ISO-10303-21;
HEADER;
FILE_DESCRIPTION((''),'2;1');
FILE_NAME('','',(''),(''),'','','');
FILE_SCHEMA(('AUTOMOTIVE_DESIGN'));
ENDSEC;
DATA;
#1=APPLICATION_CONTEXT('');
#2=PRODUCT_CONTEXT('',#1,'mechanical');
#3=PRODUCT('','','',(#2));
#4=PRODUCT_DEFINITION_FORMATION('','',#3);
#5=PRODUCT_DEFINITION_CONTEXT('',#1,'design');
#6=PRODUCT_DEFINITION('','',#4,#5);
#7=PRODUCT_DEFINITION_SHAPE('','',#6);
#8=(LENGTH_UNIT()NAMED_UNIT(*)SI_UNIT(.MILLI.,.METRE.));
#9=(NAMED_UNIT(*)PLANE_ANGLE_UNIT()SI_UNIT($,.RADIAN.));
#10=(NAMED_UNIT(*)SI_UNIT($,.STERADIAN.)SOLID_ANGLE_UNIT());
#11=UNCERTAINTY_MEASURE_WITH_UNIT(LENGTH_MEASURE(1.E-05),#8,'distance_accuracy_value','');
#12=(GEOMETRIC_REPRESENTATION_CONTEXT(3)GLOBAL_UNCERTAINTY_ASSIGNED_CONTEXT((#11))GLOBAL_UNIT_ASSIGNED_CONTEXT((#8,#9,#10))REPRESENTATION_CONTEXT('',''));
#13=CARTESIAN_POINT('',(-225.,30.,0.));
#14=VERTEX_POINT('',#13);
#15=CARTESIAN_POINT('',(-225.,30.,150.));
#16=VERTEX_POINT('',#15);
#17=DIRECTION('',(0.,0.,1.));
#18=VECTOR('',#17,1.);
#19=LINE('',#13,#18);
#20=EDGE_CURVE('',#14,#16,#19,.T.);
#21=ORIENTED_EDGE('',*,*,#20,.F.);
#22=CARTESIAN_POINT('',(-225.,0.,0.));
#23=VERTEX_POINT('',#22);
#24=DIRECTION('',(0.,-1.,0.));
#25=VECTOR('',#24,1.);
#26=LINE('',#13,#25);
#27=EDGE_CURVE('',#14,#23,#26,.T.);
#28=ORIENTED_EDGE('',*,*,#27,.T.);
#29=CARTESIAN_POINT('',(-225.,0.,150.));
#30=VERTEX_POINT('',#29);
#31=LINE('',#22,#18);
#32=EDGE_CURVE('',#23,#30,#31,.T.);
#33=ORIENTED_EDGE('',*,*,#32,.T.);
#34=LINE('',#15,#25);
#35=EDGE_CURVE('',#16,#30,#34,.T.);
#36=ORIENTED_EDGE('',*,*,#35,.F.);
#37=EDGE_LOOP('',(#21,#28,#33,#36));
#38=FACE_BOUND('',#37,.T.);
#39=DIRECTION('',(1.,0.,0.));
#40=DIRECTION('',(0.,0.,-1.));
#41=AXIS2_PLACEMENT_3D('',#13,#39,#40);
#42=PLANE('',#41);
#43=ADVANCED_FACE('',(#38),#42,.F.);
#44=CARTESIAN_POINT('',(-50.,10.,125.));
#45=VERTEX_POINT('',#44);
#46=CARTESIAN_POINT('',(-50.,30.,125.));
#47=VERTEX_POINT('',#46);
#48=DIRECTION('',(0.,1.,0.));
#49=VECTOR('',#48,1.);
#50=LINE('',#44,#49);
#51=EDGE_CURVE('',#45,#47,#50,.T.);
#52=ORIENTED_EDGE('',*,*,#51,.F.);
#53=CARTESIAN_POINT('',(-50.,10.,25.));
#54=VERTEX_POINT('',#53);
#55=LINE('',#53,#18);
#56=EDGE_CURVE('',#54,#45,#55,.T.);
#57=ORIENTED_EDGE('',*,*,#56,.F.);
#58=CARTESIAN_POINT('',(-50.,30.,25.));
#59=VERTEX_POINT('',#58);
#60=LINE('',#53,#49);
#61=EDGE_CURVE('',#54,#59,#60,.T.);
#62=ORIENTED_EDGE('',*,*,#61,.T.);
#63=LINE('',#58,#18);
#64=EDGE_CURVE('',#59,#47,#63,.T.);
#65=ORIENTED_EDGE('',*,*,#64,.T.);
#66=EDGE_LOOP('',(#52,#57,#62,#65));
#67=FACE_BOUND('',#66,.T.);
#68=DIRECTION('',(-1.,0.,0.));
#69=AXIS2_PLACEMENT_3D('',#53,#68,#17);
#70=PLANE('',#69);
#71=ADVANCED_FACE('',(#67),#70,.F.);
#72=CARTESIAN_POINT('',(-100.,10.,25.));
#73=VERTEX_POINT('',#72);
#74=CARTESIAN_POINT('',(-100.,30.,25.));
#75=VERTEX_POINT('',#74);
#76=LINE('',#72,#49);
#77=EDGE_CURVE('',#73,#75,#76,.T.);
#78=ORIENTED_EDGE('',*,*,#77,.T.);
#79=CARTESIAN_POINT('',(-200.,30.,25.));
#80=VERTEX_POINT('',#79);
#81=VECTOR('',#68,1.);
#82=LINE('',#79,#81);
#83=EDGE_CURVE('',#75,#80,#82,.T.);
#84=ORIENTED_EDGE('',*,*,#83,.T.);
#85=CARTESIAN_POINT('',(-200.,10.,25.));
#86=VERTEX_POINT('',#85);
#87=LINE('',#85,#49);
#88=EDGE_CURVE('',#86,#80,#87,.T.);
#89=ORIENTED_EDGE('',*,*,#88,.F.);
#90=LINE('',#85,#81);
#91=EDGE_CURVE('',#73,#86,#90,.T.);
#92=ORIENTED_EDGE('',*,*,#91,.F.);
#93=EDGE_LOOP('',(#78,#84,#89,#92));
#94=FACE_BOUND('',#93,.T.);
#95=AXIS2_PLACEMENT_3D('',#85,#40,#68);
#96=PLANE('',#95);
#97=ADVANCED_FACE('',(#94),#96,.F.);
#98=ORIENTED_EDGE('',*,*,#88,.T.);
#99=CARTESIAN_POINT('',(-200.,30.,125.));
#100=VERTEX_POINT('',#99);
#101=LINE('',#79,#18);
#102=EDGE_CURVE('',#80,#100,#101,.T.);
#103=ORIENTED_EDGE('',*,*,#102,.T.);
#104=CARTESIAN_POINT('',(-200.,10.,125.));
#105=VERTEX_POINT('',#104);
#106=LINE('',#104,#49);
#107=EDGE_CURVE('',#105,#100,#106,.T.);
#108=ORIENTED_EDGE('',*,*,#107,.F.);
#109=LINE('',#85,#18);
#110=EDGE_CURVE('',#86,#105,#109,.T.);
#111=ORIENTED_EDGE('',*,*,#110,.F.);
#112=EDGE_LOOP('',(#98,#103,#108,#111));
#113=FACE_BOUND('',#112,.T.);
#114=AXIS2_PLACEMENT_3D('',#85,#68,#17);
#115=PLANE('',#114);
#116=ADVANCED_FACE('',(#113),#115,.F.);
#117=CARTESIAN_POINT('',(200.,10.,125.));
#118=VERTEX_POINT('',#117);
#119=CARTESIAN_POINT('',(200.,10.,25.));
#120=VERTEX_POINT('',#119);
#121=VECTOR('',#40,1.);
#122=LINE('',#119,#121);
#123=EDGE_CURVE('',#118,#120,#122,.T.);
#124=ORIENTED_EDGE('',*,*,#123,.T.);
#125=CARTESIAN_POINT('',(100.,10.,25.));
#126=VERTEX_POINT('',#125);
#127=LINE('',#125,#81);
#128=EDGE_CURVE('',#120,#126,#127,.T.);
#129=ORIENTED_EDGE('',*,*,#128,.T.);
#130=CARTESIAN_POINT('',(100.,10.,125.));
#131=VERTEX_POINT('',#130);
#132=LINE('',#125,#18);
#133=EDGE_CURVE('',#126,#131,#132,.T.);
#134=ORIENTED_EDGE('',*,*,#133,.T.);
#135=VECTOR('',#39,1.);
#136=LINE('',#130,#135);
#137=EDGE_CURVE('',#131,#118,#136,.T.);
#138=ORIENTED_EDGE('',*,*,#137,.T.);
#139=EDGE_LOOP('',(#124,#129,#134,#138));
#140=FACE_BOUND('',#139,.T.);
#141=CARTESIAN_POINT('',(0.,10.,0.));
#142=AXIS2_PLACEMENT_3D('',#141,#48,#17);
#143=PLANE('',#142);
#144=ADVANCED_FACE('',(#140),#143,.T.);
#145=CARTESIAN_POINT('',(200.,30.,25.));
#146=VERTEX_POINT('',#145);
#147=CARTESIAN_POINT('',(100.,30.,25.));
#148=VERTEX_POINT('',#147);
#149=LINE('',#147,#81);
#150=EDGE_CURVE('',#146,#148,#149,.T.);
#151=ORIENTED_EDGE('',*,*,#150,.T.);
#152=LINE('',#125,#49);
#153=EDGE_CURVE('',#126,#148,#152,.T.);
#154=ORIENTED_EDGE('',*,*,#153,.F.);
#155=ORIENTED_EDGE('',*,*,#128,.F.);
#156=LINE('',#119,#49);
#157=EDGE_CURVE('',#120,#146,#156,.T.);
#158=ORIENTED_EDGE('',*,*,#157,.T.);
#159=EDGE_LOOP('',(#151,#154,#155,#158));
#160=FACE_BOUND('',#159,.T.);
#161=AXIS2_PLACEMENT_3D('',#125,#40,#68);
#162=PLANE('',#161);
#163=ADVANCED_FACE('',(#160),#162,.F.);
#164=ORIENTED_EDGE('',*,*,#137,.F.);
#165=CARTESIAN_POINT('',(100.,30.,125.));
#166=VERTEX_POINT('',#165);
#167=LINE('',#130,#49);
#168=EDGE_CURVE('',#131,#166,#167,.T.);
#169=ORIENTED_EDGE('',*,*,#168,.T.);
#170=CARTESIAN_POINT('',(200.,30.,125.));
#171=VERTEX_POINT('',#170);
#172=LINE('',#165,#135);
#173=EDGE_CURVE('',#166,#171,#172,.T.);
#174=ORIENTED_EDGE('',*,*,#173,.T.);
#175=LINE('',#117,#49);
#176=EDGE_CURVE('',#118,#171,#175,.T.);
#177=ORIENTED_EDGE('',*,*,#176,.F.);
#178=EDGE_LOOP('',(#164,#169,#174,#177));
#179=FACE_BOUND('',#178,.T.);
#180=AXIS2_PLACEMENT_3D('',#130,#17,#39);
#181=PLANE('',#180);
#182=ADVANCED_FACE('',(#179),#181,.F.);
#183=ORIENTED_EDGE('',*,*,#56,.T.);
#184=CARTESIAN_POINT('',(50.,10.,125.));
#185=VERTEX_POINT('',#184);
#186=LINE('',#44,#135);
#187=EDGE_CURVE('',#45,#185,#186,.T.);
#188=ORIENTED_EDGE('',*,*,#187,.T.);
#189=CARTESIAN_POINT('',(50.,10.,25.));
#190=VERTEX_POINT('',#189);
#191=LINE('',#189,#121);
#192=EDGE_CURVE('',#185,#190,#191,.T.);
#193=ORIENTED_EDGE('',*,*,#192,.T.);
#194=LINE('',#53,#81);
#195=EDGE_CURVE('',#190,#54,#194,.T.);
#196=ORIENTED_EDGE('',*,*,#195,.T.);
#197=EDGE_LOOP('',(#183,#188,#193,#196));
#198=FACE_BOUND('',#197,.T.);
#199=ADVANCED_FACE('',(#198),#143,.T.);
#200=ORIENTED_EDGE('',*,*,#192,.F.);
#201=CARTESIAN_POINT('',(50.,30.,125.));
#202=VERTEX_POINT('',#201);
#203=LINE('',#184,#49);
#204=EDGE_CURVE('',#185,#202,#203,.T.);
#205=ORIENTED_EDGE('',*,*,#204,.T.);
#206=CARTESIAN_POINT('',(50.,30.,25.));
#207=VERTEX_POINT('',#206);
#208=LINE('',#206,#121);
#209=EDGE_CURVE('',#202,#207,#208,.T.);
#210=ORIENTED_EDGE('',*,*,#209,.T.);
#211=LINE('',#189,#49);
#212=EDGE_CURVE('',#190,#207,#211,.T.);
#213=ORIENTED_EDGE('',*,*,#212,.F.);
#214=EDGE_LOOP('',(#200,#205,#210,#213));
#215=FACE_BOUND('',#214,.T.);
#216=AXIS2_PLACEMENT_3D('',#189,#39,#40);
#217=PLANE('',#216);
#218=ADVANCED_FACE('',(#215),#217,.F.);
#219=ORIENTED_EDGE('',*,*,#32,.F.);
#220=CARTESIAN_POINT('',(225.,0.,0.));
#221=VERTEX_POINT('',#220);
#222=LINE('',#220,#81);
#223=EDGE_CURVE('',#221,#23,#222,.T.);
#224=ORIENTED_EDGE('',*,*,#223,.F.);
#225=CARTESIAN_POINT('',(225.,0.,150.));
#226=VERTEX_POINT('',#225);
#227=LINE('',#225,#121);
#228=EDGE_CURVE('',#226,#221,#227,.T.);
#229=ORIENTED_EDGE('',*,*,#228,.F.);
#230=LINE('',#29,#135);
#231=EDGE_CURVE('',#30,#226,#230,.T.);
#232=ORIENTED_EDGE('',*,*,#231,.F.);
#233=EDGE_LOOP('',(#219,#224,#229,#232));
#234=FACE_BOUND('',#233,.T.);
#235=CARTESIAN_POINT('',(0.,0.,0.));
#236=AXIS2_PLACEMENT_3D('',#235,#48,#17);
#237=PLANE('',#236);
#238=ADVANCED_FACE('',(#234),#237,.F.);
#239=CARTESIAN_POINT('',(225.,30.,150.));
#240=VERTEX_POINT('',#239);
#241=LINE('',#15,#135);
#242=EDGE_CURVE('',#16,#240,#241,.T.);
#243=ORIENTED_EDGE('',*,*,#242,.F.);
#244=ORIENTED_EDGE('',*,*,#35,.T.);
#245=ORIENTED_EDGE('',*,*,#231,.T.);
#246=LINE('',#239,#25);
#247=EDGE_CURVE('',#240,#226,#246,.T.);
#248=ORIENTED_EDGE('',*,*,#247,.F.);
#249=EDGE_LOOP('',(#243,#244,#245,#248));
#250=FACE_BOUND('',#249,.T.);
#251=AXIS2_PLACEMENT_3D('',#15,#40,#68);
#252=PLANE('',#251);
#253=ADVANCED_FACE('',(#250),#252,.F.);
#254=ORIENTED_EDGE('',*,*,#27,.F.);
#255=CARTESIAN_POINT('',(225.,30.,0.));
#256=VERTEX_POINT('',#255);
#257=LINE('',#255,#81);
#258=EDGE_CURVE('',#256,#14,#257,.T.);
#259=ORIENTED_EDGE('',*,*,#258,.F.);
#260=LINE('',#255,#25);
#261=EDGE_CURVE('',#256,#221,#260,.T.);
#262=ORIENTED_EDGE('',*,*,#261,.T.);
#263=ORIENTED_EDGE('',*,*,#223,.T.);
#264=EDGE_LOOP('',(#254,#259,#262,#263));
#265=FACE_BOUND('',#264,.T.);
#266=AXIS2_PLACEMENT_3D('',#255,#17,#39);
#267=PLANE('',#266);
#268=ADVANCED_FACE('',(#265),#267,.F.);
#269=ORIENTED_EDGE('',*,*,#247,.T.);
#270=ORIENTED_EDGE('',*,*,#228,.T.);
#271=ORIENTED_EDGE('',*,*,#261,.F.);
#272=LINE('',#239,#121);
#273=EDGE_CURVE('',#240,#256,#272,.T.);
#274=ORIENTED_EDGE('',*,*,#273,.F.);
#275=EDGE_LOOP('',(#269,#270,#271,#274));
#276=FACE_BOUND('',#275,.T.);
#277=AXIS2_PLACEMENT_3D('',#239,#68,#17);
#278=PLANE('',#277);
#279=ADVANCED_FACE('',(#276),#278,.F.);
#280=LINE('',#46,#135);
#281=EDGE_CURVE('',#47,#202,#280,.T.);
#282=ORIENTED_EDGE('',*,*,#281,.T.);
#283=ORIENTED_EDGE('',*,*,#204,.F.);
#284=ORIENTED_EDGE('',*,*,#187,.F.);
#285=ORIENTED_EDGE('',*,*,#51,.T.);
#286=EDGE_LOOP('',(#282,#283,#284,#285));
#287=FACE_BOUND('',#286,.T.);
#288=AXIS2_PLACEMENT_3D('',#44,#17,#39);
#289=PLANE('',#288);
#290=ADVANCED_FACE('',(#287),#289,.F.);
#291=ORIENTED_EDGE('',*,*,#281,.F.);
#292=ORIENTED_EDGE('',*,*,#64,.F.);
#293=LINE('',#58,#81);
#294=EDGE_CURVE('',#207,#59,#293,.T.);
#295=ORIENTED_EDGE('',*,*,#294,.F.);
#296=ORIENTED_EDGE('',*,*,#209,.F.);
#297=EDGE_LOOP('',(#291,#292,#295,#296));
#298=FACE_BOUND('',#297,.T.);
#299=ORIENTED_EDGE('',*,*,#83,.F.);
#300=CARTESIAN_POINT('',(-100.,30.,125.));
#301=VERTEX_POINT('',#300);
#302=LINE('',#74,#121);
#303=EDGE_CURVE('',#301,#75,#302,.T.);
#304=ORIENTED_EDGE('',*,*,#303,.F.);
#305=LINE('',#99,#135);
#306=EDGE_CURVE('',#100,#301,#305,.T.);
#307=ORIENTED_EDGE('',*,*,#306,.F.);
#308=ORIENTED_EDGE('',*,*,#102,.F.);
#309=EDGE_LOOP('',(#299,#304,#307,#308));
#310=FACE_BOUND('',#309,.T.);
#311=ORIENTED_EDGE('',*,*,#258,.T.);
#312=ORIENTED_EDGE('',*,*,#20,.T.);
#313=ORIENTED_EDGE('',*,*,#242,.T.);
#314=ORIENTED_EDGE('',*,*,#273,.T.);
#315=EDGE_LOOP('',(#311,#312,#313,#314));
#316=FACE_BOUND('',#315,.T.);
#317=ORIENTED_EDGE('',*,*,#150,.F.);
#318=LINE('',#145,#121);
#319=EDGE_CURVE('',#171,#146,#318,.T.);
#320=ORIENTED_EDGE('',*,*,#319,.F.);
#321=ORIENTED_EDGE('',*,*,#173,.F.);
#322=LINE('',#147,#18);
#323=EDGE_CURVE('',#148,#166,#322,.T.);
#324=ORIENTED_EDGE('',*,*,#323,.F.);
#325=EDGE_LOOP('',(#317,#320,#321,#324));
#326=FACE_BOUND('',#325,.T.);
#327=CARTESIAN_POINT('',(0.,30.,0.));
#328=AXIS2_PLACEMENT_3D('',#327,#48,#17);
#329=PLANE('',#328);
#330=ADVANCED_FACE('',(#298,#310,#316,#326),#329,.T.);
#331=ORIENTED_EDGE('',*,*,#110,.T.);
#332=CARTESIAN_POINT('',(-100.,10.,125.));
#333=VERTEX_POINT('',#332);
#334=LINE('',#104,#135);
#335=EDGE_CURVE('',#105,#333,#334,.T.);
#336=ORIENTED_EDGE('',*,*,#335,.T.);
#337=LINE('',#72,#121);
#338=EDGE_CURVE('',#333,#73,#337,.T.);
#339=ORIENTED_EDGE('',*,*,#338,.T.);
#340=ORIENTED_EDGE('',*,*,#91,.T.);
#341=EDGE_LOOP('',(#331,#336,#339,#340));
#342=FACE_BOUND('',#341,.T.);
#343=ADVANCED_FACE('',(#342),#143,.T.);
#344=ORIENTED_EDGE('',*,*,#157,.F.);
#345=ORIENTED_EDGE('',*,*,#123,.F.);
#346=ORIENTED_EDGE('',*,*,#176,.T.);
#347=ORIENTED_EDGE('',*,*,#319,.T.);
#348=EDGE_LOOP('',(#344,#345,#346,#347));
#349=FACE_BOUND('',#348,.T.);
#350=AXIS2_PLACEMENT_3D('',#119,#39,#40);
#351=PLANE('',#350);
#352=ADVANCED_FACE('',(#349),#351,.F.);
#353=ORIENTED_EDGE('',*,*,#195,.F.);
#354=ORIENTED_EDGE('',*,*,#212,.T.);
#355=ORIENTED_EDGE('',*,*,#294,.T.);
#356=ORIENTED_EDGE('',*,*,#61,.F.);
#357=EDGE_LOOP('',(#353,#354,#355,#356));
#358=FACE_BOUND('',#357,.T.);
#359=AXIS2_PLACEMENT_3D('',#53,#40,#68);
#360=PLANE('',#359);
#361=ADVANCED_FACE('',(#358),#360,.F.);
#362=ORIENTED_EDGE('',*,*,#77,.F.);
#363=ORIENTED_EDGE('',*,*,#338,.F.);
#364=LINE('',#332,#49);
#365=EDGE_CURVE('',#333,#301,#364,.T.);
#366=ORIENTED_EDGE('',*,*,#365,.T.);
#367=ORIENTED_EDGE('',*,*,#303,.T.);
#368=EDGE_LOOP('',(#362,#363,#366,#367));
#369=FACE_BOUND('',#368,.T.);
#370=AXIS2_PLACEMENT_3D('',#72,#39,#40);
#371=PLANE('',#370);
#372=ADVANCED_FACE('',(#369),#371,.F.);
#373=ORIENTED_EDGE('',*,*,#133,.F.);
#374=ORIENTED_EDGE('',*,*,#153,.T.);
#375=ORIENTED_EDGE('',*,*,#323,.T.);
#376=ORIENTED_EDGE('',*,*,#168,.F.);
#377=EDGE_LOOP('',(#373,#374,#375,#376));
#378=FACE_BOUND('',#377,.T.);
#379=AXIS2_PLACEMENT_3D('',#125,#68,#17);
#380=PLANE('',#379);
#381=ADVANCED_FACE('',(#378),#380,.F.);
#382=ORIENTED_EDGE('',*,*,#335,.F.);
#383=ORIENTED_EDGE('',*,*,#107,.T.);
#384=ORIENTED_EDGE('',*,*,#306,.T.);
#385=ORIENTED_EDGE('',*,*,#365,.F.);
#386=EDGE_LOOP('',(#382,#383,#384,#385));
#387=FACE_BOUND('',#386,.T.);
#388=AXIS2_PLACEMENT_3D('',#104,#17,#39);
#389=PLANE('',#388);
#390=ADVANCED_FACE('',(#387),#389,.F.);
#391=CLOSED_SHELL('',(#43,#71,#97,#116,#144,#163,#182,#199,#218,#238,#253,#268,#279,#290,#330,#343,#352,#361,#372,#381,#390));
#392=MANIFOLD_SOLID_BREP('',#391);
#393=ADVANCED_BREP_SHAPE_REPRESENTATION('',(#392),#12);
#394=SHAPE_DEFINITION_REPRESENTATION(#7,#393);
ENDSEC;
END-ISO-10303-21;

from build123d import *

# Parameters (mm, degrees)
SKETCH_1_W          = 450
SKETCH_1_H          = 150
EXTRUDE_1_DEPTH     = 30
SKETCH_2_W          = 100
SKETCH_2_H          = 100
CUT_EXTRUDE_1_DEPTH = 20


with BuildPart() as part:
    # 草图1 → 凸台-拉伸1 (new body)
    with BuildSketch(Plane(origin=(0, 0, 0), x_dir=(1, 0, 0), z_dir=(0, 1, 0))):
        with Locations((0, -75)):
            Rectangle(SKETCH_1_W, SKETCH_1_H)
    extrude(amount=EXTRUDE_1_DEPTH)

    # 草图2 → 切除-拉伸1 (cut)
    with BuildSketch(Plane(origin=(0, 30, 0), x_dir=(1, 0, 0), z_dir=(0, 1, 0))):
        with Locations((0, -75)):
            Rectangle(SKETCH_2_W, SKETCH_2_H)
        with Locations((-150, -75)):
            Rectangle(SKETCH_2_W, SKETCH_2_H)
        with Locations((150, -75)):
            Rectangle(SKETCH_2_W, SKETCH_2_H)
        with Locations((300, -75)):
            Rectangle(SKETCH_2_W, SKETCH_2_H)
        with Locations((450, -75)):
            Rectangle(SKETCH_2_W, SKETCH_2_H)
    extrude(amount=-CUT_EXTRUDE_1_DEPTH, mode=Mode.SUBTRACT)


solid = part.part
